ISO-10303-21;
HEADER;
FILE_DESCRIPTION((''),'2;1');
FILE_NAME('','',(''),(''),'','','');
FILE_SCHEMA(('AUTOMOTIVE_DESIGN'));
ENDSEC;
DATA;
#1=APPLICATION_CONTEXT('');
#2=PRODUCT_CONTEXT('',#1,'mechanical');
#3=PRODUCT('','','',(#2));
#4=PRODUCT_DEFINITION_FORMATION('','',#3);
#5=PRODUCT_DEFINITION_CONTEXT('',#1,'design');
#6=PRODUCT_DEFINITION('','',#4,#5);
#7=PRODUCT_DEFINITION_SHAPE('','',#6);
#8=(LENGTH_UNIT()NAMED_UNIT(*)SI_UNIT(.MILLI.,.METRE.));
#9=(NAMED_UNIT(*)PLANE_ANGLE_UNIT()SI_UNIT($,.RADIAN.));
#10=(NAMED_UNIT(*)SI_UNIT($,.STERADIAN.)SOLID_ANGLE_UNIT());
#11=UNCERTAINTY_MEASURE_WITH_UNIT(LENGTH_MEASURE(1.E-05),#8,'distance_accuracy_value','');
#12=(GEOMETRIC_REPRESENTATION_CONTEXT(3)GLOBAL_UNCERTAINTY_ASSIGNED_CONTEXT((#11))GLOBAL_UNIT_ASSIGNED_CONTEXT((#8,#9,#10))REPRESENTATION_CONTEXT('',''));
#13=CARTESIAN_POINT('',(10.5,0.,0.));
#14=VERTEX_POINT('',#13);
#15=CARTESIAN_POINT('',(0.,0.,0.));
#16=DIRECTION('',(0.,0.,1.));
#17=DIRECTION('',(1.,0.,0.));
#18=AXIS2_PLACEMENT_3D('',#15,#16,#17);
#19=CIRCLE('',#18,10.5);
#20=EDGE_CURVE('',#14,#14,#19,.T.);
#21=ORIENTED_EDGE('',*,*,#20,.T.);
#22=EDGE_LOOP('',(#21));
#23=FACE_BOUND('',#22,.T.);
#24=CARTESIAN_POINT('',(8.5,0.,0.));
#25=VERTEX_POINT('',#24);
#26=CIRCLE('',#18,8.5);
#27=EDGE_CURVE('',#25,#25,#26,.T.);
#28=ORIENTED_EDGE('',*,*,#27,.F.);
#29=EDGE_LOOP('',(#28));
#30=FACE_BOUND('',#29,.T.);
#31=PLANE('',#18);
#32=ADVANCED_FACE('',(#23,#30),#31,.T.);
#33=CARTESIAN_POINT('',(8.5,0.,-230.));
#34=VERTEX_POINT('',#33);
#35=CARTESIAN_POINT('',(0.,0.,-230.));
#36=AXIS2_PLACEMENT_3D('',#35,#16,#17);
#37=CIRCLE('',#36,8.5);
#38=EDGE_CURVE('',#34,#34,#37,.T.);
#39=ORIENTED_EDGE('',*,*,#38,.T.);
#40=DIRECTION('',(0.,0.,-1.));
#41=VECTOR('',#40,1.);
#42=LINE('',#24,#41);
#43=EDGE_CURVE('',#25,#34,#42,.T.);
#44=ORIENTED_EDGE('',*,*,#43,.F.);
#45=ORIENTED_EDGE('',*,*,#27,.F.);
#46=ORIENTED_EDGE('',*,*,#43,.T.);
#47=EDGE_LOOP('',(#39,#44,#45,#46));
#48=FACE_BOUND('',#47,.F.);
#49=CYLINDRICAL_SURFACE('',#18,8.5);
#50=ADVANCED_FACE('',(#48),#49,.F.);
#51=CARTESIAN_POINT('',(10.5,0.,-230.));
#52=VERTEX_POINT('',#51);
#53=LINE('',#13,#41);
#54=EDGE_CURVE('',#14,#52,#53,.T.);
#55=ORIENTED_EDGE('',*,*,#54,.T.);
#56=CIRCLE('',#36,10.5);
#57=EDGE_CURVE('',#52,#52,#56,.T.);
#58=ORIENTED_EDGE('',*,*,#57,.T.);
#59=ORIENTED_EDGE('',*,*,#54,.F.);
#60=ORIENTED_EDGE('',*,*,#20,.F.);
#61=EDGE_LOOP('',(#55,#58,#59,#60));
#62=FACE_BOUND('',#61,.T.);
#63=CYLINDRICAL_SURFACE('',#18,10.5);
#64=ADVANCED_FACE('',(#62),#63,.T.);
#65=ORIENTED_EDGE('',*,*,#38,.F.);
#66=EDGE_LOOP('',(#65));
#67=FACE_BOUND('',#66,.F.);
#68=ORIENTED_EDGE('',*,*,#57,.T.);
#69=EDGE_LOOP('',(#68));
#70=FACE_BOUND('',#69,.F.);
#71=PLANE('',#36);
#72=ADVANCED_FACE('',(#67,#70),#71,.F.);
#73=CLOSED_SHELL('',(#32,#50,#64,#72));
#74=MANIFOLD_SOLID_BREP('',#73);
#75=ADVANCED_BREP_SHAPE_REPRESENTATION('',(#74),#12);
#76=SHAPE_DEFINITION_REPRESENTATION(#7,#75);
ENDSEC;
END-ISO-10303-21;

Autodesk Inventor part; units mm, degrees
ref_plane "YZ Plane" through (0, 0, 0) normal (1, 0, 0) x (0, 1, 0)
ref_plane "XZ Plane" through (0, 0, 0) normal (0, 1, 0) x (-1, 0, 0)
ref_plane "XY Plane" through (0, 0, 0) normal (0, 0, 1) x (1, 0, 0)
sketch "Sketch11" plane through (0, 0, 0) normal (0, 0, 1) x (1, 0, 0)
  circle A0 centre (0, 0) radius 10.5
  circle A1 centre (0, 0) radius 8.5
  dimension "d187" = 21
  dimension "d188" = 2
extrude "Extrusion5" add sketch "Sketch11" against normal blind 230
properties part number "ANP 1446 FDS thread  tube6" material "Stainless Steel"
